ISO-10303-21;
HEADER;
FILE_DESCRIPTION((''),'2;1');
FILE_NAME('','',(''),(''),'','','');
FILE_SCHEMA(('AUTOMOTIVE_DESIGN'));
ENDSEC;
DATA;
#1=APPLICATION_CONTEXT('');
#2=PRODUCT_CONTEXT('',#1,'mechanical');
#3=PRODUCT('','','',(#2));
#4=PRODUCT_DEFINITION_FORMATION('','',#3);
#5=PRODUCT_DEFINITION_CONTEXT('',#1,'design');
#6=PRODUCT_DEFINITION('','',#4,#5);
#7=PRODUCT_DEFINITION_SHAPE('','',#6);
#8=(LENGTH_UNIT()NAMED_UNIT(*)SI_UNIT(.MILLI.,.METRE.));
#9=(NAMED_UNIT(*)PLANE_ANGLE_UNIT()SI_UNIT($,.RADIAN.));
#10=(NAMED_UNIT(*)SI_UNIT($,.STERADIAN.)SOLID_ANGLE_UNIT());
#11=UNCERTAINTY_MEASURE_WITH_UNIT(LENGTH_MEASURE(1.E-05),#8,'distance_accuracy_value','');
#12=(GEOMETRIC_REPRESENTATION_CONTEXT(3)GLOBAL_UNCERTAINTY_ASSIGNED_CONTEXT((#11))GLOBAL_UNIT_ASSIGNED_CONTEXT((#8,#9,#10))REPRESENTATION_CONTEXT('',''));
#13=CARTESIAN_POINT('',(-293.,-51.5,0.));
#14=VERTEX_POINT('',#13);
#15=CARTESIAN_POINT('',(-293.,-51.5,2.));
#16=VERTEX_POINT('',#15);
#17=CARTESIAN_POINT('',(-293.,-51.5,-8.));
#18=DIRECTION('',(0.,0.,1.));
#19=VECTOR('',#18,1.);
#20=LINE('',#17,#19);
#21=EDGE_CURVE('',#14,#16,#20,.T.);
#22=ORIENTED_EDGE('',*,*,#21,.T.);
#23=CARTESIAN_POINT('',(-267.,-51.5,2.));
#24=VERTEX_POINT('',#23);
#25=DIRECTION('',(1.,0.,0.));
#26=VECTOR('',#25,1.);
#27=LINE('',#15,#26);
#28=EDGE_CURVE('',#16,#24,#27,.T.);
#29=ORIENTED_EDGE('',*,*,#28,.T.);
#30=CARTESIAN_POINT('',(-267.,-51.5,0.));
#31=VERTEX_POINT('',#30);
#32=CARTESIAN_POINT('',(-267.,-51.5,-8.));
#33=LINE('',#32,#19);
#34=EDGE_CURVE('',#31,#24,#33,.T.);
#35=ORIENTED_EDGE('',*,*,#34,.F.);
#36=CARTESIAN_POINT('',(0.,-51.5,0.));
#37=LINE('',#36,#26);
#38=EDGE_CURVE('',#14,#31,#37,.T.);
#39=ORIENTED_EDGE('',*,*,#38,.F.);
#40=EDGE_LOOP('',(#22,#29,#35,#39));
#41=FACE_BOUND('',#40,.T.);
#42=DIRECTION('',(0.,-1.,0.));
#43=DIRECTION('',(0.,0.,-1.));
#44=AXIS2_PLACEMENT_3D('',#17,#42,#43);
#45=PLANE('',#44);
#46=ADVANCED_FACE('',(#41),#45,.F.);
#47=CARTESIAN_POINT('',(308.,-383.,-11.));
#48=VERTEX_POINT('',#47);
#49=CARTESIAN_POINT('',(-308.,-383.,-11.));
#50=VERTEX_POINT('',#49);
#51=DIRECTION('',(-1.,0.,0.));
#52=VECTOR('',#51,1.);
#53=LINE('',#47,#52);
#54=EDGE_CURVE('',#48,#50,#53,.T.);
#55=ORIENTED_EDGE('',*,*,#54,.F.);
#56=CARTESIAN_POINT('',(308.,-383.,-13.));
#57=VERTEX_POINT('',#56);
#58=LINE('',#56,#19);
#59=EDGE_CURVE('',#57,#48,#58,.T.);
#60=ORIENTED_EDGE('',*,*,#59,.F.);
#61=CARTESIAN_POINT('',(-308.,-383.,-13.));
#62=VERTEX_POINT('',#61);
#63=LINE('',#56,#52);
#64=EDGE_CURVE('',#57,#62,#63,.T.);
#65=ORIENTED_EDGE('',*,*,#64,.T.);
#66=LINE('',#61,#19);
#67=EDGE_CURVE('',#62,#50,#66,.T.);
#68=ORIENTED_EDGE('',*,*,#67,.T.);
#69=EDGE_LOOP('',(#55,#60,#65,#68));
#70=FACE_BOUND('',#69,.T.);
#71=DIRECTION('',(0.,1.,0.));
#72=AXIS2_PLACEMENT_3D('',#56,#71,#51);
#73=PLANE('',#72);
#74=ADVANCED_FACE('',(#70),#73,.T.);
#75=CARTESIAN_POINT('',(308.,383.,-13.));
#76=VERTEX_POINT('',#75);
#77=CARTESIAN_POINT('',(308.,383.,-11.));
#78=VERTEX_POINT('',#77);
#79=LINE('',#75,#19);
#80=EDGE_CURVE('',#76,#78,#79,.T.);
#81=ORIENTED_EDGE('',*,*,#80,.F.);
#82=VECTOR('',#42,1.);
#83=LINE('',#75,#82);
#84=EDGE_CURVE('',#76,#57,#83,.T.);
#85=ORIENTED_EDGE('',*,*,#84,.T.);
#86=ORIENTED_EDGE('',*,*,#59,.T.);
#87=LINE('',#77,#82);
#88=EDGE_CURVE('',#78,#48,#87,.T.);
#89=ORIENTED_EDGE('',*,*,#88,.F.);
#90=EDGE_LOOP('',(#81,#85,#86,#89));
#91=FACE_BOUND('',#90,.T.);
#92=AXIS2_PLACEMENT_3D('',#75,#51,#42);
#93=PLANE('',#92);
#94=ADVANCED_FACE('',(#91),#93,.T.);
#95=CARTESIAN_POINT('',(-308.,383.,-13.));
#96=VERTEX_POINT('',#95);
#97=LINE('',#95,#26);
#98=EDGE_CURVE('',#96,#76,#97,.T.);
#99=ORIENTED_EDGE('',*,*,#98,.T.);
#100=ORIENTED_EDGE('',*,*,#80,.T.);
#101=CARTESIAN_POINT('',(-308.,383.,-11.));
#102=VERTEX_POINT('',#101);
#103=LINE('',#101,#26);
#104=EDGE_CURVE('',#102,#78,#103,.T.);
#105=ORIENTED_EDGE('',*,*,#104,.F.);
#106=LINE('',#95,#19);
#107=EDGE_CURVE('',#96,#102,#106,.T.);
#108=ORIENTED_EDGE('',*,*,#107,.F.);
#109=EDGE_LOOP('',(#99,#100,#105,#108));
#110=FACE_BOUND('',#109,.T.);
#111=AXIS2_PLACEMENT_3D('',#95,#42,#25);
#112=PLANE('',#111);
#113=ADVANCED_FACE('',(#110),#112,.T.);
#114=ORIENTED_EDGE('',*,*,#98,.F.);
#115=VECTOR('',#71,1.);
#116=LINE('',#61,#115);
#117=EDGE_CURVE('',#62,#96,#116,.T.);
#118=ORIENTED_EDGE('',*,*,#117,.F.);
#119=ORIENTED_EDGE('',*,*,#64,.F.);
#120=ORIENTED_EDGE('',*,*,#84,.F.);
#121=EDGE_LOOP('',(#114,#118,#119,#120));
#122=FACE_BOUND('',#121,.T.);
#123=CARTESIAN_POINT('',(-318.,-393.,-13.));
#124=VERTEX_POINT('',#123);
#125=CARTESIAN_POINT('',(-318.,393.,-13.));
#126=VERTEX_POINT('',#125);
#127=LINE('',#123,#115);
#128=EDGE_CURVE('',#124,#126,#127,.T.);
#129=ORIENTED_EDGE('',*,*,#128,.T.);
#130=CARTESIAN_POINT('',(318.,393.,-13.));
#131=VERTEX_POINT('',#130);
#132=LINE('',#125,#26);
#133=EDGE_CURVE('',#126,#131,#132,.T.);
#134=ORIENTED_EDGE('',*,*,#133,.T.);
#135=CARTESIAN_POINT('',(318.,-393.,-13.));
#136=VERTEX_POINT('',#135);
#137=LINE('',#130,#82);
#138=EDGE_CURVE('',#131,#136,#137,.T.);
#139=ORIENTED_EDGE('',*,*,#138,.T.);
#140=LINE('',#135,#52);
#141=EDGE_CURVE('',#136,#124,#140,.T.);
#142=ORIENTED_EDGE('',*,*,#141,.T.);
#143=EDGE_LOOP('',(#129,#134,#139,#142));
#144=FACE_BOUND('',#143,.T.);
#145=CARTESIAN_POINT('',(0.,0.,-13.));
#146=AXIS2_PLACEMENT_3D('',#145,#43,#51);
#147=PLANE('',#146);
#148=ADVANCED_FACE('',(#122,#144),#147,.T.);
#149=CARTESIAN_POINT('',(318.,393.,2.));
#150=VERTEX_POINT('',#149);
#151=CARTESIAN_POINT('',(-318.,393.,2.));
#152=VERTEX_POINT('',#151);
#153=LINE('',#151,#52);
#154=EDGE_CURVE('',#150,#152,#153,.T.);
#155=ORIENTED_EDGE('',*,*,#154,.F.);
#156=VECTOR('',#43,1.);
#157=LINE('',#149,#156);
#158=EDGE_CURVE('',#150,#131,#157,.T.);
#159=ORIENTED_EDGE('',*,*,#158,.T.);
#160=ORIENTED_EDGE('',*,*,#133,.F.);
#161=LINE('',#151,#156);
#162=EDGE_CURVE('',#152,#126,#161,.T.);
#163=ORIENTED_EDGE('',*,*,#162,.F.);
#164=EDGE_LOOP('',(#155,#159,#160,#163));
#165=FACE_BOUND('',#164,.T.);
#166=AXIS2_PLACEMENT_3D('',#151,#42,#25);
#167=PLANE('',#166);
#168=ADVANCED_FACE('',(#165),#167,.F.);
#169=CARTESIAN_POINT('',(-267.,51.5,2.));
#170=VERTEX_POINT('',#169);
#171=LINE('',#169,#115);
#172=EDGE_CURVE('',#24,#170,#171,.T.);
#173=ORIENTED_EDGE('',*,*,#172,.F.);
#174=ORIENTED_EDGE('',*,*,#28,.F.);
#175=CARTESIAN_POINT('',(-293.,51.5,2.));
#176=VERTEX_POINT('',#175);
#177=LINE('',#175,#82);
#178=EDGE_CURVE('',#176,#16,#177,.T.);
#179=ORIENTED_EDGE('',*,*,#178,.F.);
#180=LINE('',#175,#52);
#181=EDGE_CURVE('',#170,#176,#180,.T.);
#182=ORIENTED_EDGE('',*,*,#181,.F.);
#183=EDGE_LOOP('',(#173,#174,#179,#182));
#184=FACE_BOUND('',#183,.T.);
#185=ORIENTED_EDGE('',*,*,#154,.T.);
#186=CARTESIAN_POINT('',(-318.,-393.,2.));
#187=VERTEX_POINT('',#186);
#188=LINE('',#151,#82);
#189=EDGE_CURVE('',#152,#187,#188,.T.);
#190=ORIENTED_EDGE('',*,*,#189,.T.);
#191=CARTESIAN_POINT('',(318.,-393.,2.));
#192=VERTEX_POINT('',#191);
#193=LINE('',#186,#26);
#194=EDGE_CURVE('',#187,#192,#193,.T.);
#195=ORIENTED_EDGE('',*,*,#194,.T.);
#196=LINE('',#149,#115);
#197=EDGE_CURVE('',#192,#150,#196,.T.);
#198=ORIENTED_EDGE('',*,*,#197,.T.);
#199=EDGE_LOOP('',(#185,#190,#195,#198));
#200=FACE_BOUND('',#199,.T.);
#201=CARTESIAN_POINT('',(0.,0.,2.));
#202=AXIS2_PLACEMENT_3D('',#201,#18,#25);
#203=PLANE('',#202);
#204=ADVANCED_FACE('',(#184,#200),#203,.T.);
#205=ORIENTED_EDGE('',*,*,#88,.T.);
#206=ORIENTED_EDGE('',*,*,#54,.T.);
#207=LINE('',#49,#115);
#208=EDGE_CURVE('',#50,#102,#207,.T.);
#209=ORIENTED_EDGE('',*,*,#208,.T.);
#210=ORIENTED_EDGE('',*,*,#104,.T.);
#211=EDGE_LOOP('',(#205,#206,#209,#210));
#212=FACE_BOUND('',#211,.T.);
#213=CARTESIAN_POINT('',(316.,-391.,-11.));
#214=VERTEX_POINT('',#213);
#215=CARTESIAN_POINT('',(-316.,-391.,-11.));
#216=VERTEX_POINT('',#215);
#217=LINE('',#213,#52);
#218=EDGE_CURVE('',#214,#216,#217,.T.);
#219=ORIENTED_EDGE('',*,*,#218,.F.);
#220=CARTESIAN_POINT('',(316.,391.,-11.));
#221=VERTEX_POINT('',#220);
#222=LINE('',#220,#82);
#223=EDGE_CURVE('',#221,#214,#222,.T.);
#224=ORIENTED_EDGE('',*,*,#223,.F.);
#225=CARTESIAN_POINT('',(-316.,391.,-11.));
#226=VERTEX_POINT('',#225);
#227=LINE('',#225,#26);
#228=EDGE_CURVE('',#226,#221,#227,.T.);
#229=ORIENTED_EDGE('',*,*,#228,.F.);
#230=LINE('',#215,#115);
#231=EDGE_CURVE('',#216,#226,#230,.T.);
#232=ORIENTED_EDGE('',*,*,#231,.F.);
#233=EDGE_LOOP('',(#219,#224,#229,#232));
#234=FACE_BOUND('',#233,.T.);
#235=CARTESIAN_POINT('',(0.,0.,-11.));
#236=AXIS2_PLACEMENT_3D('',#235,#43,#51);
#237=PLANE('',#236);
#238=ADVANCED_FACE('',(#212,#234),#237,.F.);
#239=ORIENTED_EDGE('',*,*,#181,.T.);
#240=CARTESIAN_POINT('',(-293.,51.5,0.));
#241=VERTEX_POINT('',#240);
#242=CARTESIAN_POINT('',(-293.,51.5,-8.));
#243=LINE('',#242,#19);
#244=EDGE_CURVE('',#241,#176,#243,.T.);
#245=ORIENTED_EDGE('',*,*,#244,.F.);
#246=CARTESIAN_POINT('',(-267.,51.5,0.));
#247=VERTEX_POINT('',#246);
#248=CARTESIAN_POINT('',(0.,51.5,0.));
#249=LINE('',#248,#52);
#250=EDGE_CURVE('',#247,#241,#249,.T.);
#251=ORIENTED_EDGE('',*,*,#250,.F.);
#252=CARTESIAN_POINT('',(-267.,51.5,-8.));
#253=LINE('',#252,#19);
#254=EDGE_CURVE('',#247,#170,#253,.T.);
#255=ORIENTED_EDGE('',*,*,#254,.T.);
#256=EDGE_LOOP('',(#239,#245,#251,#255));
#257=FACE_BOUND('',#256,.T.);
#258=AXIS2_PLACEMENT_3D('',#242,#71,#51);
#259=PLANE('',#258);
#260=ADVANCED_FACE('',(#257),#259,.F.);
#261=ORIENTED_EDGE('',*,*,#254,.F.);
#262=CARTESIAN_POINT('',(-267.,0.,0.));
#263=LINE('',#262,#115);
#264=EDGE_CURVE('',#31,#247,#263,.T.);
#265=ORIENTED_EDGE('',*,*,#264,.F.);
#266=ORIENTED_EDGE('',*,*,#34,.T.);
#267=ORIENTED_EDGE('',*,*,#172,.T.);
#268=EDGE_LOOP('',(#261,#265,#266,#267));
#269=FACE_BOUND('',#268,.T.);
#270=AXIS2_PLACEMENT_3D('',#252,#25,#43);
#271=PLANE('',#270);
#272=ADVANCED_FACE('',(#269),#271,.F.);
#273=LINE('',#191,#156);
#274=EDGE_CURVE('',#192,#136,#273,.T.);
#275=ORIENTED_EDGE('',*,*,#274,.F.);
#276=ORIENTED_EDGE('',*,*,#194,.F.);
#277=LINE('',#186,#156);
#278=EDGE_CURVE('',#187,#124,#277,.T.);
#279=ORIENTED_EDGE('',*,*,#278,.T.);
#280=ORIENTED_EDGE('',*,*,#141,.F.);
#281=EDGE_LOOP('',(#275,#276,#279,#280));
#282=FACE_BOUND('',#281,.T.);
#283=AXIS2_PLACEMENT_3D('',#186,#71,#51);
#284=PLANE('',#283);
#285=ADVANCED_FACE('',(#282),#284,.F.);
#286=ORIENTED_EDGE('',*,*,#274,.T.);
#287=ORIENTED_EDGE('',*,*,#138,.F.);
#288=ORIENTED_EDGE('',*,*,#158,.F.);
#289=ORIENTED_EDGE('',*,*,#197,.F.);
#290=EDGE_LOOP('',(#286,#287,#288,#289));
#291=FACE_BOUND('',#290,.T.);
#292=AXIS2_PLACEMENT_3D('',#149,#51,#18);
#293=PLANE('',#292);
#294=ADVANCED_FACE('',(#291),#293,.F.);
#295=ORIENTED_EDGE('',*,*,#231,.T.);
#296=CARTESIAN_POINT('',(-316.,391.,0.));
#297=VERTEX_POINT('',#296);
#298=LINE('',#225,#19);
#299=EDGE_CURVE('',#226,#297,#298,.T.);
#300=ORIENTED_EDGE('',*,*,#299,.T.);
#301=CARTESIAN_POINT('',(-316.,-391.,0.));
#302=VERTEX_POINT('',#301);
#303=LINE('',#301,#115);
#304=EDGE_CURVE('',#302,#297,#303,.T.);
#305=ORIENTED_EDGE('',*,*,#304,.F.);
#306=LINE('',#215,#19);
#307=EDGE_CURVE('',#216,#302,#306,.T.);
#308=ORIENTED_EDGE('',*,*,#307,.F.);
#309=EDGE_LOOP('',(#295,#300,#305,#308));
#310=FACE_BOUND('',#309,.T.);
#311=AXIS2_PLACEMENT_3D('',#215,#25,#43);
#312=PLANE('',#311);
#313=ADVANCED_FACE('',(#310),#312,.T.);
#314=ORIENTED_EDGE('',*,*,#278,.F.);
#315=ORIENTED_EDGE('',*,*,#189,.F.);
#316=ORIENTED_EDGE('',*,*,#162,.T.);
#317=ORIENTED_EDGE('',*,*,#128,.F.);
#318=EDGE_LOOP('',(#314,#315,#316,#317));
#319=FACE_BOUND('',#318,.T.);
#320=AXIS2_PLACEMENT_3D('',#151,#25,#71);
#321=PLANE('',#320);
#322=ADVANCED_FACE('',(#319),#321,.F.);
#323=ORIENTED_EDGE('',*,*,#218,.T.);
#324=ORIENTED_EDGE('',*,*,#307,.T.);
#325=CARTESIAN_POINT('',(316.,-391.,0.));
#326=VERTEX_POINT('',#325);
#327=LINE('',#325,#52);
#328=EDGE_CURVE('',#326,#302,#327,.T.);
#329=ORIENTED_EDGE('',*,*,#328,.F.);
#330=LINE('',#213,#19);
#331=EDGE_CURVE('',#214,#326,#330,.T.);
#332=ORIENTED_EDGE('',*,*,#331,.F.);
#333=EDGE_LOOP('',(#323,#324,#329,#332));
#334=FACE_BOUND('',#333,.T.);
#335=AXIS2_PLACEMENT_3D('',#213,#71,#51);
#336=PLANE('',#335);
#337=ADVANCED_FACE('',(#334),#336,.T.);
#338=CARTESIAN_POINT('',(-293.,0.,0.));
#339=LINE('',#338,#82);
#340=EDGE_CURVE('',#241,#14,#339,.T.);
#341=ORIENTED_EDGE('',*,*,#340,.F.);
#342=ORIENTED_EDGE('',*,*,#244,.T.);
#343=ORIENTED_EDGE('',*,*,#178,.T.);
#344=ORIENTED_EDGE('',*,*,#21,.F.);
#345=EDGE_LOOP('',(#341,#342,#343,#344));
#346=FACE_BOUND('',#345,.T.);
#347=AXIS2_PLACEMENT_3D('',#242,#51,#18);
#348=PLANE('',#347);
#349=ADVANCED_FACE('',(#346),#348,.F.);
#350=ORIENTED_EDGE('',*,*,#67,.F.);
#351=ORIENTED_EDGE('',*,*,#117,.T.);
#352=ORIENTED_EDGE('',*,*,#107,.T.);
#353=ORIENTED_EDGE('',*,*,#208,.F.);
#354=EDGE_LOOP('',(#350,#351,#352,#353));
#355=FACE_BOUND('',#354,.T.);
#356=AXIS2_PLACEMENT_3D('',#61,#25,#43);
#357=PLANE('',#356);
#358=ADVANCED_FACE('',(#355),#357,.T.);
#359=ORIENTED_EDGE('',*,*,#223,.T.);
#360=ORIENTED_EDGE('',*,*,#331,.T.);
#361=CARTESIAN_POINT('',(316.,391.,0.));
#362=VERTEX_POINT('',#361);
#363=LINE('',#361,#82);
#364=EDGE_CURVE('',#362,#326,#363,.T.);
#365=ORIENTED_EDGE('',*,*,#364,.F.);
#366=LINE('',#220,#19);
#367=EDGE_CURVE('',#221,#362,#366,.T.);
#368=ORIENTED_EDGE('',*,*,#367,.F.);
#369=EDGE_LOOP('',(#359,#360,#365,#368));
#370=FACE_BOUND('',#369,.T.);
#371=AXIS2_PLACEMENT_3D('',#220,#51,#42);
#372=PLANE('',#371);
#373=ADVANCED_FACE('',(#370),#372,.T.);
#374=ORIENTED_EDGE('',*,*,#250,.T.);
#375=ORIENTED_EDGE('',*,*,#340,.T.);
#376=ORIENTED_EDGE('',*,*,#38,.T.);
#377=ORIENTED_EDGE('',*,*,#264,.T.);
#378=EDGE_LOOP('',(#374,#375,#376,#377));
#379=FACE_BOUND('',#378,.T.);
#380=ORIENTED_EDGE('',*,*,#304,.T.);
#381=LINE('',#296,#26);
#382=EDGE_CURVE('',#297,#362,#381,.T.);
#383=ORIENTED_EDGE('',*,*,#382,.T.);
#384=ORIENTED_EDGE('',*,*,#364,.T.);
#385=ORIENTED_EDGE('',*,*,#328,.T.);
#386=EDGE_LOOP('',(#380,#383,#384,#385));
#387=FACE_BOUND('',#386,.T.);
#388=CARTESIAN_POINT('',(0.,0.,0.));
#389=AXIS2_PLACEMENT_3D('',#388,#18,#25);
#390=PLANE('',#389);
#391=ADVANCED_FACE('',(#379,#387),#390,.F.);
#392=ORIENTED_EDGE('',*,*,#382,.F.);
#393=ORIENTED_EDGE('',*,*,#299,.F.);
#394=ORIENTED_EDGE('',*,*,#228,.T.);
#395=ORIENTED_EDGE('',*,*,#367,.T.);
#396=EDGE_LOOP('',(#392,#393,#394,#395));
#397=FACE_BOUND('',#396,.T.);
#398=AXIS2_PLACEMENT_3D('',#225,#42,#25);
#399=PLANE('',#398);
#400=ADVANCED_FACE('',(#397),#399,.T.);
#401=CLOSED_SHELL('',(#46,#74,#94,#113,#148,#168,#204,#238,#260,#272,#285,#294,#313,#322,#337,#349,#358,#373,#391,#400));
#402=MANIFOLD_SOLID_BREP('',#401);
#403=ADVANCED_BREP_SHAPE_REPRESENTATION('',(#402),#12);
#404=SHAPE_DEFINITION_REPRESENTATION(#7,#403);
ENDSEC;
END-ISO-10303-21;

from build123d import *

# Parameters (mm, degrees)
SKETCH_1_W          = 636
SKETCH_1_H          = 786
EXTRUDE_1_DEPTH     = 2
SKETCH_2_W          = 636
SKETCH_2_H          = 786
SKETCH_2_W_2        = 632
SKETCH_2_H_2        = 782
EXTRUDE_2_DEPTH     = 11
SKETCH_3_W          = 636
SKETCH_3_H          = 786
SKETCH_3_W_2        = 616
SKETCH_3_H_2        = 766
EXTRUDE_3_DEPTH     = 2
SKETCH_4_W          = 26
SKETCH_4_H          = 103
CUT_EXTRUDE_1_DEPTH = 10


with BuildPart() as part:
    # 草图1 → 凸台-拉伸1 (new body)
    with BuildSketch(Plane.XY):
        Rectangle(SKETCH_1_W, SKETCH_1_H)
    extrude(amount=EXTRUDE_1_DEPTH)

    # 草图2 → 凸台-拉伸2 (add)
    with BuildSketch(Plane(origin=(0, 0, 0), x_dir=(-1, 0, 0), z_dir=(0, 0, -1))):
        Rectangle(SKETCH_2_W, SKETCH_2_H)
        Rectangle(SKETCH_2_W_2, SKETCH_2_H_2, mode=Mode.SUBTRACT)
    extrude(amount=EXTRUDE_2_DEPTH)

    # 草图3 → 凸台-拉伸3 (add)
    with BuildSketch(Plane(origin=(0, 0, -11), x_dir=(-1, 0, 0), z_dir=(0, 0, -1))):
        Rectangle(SKETCH_3_W, SKETCH_3_H)
        Rectangle(SKETCH_3_W_2, SKETCH_3_H_2, mode=Mode.SUBTRACT)
    extrude(amount=EXTRUDE_3_DEPTH)

    # 草图4 → 切除-拉伸1 (cut)
    with BuildSketch(Plane.XY.offset(2)):
        with Locations((-280, 0)):
            Rectangle(SKETCH_4_W, SKETCH_4_H)
    extrude(amount=-CUT_EXTRUDE_1_DEPTH, mode=Mode.SUBTRACT)


solid = part.part
